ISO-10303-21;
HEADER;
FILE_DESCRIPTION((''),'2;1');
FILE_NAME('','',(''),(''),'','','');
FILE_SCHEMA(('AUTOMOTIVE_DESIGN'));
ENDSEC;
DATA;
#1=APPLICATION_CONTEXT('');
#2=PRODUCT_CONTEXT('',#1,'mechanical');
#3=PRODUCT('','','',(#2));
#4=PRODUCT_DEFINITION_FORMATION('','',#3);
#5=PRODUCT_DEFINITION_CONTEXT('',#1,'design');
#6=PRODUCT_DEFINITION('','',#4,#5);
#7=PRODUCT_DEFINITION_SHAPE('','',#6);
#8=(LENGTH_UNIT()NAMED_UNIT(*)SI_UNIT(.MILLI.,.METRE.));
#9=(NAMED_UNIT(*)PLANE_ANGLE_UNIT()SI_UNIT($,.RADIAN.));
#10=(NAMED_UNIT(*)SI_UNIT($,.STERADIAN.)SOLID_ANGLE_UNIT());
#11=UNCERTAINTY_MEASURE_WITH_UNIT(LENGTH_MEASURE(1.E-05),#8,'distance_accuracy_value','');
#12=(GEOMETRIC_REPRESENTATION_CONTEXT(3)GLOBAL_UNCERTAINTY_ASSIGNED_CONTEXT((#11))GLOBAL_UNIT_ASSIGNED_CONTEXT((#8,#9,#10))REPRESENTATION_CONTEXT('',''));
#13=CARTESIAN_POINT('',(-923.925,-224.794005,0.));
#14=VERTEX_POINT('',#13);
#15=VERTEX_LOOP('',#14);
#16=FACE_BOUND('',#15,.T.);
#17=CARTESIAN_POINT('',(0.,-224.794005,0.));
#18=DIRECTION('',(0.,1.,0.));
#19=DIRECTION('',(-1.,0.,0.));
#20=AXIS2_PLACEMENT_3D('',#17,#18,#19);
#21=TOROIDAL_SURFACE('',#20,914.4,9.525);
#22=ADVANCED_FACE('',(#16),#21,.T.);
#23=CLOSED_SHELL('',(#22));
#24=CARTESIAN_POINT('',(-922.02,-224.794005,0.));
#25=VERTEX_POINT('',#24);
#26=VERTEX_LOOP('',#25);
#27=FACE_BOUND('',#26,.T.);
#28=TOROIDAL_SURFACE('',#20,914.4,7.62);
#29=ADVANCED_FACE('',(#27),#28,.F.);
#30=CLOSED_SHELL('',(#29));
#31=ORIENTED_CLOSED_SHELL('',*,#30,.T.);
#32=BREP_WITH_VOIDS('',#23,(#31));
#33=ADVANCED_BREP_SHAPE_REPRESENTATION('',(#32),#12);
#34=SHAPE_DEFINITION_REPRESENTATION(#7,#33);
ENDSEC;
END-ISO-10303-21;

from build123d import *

# Parameters (mm, degrees)
SKETCH1_R   = 9.525
SKETCH1_R_2 = 7.62


with BuildPart() as part:
    # Sketch1 → Revolve1 (revolve)
    with BuildSketch(Plane(origin=(0, -224.794004951, 0), x_dir=(1, 0, 0), z_dir=(0, 0, 1))):
        with Locations((-914.4, 0)):
            Circle(SKETCH1_R)
        with Locations((-914.4, 0)):
            Circle(SKETCH1_R_2, mode=Mode.SUBTRACT)
    revolve(axis=Axis((0, 147.891113998, 0), (0, -1, 0)))


solid = part.part
